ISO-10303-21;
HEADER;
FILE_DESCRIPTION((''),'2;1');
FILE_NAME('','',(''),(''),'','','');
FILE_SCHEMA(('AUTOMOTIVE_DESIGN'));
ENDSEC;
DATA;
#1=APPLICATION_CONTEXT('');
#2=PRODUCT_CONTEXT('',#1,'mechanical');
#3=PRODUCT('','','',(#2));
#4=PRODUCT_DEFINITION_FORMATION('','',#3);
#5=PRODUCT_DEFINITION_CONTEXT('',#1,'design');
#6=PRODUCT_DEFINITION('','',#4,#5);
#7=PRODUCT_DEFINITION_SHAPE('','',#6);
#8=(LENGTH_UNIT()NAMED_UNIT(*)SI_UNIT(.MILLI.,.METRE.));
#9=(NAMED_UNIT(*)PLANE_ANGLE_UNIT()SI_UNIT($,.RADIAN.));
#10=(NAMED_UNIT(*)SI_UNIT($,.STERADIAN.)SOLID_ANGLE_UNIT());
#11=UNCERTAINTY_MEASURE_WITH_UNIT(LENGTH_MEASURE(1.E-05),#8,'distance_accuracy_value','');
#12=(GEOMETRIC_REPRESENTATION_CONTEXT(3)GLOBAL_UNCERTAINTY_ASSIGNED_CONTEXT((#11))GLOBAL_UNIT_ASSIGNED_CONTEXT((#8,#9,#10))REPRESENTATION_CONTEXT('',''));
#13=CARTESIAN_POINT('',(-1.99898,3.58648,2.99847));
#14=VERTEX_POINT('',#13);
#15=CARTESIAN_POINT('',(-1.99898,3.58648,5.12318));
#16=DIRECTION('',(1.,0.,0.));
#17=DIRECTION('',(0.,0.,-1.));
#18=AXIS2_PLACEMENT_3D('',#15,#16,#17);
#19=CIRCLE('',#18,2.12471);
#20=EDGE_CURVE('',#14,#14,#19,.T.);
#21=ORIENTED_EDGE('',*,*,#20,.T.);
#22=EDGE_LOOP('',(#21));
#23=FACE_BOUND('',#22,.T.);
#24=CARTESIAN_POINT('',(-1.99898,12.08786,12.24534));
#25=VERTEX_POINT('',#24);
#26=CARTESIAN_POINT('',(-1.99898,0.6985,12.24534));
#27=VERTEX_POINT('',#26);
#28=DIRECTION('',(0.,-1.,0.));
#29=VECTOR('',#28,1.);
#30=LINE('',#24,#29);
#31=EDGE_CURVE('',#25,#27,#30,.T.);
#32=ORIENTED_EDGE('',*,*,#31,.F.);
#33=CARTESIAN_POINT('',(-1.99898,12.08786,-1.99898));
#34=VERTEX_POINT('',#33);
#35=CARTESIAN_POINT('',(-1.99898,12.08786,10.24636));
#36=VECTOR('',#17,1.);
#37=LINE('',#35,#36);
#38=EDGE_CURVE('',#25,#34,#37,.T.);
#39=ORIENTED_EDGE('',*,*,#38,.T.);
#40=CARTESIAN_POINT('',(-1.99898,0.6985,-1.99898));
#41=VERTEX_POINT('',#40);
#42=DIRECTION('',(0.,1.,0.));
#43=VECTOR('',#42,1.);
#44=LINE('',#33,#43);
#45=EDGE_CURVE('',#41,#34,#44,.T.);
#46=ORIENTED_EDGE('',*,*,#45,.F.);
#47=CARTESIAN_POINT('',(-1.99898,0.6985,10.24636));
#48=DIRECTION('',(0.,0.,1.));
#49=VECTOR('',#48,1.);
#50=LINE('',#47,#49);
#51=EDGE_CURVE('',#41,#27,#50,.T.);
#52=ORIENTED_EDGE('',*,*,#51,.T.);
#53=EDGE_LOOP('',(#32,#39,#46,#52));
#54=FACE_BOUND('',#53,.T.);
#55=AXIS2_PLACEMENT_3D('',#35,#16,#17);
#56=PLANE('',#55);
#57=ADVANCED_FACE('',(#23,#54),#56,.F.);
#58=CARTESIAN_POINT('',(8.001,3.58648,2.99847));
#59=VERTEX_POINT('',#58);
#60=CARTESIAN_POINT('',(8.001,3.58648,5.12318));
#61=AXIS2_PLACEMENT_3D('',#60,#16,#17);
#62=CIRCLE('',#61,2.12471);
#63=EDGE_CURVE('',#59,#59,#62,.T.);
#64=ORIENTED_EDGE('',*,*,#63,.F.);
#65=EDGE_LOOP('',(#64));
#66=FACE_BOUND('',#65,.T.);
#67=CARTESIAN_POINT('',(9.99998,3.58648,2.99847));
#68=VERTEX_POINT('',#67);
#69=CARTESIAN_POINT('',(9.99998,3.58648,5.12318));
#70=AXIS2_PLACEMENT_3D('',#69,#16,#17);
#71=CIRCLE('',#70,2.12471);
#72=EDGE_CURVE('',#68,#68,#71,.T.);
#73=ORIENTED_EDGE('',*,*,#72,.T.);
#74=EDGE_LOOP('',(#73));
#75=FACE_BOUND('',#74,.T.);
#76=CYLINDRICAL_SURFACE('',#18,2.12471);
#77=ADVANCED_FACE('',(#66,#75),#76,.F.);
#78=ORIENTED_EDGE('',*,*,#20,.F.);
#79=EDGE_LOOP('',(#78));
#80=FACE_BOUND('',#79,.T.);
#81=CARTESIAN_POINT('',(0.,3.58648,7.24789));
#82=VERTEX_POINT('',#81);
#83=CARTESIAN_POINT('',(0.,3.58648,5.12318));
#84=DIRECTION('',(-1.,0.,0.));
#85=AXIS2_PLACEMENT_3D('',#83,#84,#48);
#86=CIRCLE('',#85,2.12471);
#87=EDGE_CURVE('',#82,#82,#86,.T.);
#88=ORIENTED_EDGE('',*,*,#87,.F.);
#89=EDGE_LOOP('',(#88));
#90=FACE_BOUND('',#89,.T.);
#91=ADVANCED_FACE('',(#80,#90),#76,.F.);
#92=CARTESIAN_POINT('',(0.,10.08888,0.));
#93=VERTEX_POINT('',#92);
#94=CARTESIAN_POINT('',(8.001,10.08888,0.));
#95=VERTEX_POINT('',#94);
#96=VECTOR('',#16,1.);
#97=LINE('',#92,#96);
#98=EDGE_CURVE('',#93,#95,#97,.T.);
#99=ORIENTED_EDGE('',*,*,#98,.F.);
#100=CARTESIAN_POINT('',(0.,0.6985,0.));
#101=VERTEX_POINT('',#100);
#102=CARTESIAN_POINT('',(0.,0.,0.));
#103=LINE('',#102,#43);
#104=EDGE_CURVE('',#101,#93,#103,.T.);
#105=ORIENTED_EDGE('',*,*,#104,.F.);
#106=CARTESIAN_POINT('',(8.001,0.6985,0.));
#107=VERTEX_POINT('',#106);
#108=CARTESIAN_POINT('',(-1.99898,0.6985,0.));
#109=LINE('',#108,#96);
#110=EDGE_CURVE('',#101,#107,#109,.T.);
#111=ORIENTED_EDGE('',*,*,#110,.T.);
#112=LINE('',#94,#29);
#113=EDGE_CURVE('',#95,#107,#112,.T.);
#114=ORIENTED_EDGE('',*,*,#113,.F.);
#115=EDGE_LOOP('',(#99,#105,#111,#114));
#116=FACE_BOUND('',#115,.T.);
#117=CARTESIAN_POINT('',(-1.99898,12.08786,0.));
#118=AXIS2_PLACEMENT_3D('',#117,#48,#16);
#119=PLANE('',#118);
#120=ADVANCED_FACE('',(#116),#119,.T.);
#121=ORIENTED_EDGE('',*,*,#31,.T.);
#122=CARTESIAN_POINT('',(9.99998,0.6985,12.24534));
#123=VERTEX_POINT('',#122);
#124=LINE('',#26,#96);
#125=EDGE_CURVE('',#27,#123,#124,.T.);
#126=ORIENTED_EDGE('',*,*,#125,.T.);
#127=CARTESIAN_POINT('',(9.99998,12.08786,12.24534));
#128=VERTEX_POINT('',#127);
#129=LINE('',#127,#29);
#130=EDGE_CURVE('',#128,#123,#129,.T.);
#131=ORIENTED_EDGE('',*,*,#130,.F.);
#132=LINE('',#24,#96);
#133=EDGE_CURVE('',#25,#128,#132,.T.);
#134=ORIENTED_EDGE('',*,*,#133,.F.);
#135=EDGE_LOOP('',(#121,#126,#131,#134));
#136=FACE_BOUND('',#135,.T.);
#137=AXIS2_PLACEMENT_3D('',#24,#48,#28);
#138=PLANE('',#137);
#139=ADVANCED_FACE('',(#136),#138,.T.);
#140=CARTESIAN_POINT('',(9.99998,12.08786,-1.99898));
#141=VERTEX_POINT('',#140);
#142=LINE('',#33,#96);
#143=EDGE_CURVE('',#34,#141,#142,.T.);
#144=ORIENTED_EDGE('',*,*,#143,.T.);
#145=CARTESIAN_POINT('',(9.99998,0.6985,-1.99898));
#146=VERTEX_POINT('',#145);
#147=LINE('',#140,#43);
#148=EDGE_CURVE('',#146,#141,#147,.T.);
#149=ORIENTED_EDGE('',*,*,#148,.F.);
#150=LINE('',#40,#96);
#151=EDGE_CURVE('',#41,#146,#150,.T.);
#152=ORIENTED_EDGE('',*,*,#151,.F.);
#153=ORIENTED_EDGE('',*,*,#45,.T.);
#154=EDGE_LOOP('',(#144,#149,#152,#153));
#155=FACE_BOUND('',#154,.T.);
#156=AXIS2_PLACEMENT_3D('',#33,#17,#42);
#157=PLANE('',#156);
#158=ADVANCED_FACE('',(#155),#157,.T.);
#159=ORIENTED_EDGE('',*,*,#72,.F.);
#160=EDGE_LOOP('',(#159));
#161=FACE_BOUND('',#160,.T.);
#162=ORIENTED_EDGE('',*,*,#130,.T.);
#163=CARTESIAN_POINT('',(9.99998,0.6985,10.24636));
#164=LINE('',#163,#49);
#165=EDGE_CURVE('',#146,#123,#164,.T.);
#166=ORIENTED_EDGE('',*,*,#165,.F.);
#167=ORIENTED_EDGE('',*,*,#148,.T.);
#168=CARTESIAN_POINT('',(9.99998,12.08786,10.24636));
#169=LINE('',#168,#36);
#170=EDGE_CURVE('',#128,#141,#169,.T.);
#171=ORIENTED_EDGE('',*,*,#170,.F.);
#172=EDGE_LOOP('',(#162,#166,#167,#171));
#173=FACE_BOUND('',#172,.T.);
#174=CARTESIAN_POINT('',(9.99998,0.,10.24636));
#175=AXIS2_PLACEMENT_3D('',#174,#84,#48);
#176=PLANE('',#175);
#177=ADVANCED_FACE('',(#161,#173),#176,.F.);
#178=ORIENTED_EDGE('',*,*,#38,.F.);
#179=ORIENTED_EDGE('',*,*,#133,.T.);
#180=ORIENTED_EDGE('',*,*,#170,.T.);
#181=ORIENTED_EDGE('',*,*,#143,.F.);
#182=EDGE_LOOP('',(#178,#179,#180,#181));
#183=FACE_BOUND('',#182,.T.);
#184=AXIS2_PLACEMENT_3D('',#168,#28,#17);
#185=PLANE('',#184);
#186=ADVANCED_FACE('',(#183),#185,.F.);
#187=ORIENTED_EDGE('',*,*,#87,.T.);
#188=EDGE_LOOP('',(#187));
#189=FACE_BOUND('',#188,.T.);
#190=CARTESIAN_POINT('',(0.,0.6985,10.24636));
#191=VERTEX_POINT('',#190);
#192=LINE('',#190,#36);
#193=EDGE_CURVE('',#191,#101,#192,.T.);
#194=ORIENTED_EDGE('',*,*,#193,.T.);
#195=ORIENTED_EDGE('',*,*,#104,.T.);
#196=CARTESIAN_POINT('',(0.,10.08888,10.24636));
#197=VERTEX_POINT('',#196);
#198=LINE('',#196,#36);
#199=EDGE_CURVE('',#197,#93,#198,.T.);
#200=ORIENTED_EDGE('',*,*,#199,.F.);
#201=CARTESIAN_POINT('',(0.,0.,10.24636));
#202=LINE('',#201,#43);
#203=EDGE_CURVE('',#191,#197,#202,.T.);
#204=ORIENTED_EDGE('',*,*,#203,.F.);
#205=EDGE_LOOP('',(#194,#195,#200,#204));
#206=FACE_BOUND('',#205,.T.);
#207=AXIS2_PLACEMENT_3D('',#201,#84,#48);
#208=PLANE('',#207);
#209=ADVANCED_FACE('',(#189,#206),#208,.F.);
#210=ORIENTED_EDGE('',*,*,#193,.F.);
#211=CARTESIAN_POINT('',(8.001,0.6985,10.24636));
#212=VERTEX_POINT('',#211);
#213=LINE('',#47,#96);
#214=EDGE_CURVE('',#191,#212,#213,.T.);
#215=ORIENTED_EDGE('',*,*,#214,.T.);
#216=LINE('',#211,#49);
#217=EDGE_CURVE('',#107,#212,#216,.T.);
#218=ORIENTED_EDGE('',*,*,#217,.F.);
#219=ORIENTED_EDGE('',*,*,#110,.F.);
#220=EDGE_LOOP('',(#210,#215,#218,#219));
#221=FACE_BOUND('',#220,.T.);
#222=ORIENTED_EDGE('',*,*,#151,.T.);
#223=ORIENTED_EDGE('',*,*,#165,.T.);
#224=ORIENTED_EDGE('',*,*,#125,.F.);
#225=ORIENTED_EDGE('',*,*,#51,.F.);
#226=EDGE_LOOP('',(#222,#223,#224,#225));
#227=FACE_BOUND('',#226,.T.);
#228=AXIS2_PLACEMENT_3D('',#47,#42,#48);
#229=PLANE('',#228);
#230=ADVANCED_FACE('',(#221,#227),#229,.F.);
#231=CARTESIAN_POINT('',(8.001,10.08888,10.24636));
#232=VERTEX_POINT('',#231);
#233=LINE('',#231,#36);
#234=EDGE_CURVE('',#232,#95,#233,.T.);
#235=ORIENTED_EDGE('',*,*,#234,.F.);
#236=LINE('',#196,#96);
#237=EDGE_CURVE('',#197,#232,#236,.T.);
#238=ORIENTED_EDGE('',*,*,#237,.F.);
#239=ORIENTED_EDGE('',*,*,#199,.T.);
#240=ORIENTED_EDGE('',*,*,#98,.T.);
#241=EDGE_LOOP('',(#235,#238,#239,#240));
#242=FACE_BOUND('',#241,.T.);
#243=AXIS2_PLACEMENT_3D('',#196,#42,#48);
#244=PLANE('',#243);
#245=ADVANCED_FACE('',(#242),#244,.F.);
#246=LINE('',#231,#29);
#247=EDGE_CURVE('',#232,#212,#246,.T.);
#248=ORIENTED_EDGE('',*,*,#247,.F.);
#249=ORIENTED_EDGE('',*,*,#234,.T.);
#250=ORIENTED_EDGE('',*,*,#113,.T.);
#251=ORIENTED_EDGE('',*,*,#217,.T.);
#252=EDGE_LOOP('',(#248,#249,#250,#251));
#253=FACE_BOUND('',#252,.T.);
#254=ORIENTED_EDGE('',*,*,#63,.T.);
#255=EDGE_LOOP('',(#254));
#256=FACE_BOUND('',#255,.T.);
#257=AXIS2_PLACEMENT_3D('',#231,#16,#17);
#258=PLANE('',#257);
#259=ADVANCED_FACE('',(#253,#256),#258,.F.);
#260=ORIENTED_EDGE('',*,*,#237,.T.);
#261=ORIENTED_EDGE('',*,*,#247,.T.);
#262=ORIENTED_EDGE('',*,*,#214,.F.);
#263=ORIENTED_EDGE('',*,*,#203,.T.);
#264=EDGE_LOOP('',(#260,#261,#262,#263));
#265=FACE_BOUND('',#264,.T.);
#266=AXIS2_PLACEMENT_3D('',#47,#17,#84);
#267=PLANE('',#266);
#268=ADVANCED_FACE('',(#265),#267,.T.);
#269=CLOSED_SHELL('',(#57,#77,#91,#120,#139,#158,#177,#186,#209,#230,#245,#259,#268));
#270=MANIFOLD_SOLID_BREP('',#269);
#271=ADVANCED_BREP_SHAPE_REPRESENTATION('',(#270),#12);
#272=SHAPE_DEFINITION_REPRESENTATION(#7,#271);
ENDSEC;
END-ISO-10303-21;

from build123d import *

# Parameters (mm, degrees)
BOSS_EXTRUDE1_DEPTH = 10.24636
SKETCH2_R           = 2.12471
CUT_EXTRUDE1_DEPTH  = 12.99896
SKETCH3_W           = 10.24636
SKETCH3_H           = 0.6985
CUT_EXTRUDE2_DEPTH  = 12.99896
SKETCH4_W           = 1.99898
SKETCH4_H           = 11.38936
BOSS_EXTRUDE2_DEPTH = 11.99896


with BuildPart() as part:
    # Sketch1 → Boss-Extrude1 (new body)
    with BuildSketch(Plane.XY):
        Polygon((0, 0), (0, 10.08888), (8.001, 10.08888), (8.001, 0), (9.99998, 0), (9.99998, 12.08786), (-1.99898, 12.08786), (-1.99898, 0), align=None)
    extrude(amount=BOSS_EXTRUDE1_DEPTH)

    # Sketch2 → Cut-Extrude1 (cut, through all)
    with BuildSketch(Plane(origin=(9.99998, 0, 0), x_dir=(0, 0, -1), z_dir=(1, 0, 0))):
        with Locations((-5.12318, 3.58648)):
            Circle(SKETCH2_R)
    extrude(amount=-CUT_EXTRUDE1_DEPTH, mode=Mode.SUBTRACT)

    # Sketch3 → Cut-Extrude2 (cut, through all)
    with BuildSketch(Plane(origin=(9.99998, 0, 0), x_dir=(0, 0, -1), z_dir=(1, 0, 0))):
        with Locations((-5.12318, 0.34925)):
            Rectangle(SKETCH3_W, SKETCH3_H)
    extrude(amount=-CUT_EXTRUDE2_DEPTH, mode=Mode.SUBTRACT)

    # Sketch4 → Boss-Extrude2 (add)
    with BuildSketch(Plane(origin=(9.99998, 0, 0), x_dir=(0, 0, -1), z_dir=(1, 0, 0))):
        with Locations((-11.24585, 6.39318)):
            Rectangle(SKETCH4_W, SKETCH4_H)
        with Locations((0.99949, 6.39318)):
            Rectangle(SKETCH4_W, SKETCH4_H)
    extrude(amount=-BOSS_EXTRUDE2_DEPTH)


solid = part.part
